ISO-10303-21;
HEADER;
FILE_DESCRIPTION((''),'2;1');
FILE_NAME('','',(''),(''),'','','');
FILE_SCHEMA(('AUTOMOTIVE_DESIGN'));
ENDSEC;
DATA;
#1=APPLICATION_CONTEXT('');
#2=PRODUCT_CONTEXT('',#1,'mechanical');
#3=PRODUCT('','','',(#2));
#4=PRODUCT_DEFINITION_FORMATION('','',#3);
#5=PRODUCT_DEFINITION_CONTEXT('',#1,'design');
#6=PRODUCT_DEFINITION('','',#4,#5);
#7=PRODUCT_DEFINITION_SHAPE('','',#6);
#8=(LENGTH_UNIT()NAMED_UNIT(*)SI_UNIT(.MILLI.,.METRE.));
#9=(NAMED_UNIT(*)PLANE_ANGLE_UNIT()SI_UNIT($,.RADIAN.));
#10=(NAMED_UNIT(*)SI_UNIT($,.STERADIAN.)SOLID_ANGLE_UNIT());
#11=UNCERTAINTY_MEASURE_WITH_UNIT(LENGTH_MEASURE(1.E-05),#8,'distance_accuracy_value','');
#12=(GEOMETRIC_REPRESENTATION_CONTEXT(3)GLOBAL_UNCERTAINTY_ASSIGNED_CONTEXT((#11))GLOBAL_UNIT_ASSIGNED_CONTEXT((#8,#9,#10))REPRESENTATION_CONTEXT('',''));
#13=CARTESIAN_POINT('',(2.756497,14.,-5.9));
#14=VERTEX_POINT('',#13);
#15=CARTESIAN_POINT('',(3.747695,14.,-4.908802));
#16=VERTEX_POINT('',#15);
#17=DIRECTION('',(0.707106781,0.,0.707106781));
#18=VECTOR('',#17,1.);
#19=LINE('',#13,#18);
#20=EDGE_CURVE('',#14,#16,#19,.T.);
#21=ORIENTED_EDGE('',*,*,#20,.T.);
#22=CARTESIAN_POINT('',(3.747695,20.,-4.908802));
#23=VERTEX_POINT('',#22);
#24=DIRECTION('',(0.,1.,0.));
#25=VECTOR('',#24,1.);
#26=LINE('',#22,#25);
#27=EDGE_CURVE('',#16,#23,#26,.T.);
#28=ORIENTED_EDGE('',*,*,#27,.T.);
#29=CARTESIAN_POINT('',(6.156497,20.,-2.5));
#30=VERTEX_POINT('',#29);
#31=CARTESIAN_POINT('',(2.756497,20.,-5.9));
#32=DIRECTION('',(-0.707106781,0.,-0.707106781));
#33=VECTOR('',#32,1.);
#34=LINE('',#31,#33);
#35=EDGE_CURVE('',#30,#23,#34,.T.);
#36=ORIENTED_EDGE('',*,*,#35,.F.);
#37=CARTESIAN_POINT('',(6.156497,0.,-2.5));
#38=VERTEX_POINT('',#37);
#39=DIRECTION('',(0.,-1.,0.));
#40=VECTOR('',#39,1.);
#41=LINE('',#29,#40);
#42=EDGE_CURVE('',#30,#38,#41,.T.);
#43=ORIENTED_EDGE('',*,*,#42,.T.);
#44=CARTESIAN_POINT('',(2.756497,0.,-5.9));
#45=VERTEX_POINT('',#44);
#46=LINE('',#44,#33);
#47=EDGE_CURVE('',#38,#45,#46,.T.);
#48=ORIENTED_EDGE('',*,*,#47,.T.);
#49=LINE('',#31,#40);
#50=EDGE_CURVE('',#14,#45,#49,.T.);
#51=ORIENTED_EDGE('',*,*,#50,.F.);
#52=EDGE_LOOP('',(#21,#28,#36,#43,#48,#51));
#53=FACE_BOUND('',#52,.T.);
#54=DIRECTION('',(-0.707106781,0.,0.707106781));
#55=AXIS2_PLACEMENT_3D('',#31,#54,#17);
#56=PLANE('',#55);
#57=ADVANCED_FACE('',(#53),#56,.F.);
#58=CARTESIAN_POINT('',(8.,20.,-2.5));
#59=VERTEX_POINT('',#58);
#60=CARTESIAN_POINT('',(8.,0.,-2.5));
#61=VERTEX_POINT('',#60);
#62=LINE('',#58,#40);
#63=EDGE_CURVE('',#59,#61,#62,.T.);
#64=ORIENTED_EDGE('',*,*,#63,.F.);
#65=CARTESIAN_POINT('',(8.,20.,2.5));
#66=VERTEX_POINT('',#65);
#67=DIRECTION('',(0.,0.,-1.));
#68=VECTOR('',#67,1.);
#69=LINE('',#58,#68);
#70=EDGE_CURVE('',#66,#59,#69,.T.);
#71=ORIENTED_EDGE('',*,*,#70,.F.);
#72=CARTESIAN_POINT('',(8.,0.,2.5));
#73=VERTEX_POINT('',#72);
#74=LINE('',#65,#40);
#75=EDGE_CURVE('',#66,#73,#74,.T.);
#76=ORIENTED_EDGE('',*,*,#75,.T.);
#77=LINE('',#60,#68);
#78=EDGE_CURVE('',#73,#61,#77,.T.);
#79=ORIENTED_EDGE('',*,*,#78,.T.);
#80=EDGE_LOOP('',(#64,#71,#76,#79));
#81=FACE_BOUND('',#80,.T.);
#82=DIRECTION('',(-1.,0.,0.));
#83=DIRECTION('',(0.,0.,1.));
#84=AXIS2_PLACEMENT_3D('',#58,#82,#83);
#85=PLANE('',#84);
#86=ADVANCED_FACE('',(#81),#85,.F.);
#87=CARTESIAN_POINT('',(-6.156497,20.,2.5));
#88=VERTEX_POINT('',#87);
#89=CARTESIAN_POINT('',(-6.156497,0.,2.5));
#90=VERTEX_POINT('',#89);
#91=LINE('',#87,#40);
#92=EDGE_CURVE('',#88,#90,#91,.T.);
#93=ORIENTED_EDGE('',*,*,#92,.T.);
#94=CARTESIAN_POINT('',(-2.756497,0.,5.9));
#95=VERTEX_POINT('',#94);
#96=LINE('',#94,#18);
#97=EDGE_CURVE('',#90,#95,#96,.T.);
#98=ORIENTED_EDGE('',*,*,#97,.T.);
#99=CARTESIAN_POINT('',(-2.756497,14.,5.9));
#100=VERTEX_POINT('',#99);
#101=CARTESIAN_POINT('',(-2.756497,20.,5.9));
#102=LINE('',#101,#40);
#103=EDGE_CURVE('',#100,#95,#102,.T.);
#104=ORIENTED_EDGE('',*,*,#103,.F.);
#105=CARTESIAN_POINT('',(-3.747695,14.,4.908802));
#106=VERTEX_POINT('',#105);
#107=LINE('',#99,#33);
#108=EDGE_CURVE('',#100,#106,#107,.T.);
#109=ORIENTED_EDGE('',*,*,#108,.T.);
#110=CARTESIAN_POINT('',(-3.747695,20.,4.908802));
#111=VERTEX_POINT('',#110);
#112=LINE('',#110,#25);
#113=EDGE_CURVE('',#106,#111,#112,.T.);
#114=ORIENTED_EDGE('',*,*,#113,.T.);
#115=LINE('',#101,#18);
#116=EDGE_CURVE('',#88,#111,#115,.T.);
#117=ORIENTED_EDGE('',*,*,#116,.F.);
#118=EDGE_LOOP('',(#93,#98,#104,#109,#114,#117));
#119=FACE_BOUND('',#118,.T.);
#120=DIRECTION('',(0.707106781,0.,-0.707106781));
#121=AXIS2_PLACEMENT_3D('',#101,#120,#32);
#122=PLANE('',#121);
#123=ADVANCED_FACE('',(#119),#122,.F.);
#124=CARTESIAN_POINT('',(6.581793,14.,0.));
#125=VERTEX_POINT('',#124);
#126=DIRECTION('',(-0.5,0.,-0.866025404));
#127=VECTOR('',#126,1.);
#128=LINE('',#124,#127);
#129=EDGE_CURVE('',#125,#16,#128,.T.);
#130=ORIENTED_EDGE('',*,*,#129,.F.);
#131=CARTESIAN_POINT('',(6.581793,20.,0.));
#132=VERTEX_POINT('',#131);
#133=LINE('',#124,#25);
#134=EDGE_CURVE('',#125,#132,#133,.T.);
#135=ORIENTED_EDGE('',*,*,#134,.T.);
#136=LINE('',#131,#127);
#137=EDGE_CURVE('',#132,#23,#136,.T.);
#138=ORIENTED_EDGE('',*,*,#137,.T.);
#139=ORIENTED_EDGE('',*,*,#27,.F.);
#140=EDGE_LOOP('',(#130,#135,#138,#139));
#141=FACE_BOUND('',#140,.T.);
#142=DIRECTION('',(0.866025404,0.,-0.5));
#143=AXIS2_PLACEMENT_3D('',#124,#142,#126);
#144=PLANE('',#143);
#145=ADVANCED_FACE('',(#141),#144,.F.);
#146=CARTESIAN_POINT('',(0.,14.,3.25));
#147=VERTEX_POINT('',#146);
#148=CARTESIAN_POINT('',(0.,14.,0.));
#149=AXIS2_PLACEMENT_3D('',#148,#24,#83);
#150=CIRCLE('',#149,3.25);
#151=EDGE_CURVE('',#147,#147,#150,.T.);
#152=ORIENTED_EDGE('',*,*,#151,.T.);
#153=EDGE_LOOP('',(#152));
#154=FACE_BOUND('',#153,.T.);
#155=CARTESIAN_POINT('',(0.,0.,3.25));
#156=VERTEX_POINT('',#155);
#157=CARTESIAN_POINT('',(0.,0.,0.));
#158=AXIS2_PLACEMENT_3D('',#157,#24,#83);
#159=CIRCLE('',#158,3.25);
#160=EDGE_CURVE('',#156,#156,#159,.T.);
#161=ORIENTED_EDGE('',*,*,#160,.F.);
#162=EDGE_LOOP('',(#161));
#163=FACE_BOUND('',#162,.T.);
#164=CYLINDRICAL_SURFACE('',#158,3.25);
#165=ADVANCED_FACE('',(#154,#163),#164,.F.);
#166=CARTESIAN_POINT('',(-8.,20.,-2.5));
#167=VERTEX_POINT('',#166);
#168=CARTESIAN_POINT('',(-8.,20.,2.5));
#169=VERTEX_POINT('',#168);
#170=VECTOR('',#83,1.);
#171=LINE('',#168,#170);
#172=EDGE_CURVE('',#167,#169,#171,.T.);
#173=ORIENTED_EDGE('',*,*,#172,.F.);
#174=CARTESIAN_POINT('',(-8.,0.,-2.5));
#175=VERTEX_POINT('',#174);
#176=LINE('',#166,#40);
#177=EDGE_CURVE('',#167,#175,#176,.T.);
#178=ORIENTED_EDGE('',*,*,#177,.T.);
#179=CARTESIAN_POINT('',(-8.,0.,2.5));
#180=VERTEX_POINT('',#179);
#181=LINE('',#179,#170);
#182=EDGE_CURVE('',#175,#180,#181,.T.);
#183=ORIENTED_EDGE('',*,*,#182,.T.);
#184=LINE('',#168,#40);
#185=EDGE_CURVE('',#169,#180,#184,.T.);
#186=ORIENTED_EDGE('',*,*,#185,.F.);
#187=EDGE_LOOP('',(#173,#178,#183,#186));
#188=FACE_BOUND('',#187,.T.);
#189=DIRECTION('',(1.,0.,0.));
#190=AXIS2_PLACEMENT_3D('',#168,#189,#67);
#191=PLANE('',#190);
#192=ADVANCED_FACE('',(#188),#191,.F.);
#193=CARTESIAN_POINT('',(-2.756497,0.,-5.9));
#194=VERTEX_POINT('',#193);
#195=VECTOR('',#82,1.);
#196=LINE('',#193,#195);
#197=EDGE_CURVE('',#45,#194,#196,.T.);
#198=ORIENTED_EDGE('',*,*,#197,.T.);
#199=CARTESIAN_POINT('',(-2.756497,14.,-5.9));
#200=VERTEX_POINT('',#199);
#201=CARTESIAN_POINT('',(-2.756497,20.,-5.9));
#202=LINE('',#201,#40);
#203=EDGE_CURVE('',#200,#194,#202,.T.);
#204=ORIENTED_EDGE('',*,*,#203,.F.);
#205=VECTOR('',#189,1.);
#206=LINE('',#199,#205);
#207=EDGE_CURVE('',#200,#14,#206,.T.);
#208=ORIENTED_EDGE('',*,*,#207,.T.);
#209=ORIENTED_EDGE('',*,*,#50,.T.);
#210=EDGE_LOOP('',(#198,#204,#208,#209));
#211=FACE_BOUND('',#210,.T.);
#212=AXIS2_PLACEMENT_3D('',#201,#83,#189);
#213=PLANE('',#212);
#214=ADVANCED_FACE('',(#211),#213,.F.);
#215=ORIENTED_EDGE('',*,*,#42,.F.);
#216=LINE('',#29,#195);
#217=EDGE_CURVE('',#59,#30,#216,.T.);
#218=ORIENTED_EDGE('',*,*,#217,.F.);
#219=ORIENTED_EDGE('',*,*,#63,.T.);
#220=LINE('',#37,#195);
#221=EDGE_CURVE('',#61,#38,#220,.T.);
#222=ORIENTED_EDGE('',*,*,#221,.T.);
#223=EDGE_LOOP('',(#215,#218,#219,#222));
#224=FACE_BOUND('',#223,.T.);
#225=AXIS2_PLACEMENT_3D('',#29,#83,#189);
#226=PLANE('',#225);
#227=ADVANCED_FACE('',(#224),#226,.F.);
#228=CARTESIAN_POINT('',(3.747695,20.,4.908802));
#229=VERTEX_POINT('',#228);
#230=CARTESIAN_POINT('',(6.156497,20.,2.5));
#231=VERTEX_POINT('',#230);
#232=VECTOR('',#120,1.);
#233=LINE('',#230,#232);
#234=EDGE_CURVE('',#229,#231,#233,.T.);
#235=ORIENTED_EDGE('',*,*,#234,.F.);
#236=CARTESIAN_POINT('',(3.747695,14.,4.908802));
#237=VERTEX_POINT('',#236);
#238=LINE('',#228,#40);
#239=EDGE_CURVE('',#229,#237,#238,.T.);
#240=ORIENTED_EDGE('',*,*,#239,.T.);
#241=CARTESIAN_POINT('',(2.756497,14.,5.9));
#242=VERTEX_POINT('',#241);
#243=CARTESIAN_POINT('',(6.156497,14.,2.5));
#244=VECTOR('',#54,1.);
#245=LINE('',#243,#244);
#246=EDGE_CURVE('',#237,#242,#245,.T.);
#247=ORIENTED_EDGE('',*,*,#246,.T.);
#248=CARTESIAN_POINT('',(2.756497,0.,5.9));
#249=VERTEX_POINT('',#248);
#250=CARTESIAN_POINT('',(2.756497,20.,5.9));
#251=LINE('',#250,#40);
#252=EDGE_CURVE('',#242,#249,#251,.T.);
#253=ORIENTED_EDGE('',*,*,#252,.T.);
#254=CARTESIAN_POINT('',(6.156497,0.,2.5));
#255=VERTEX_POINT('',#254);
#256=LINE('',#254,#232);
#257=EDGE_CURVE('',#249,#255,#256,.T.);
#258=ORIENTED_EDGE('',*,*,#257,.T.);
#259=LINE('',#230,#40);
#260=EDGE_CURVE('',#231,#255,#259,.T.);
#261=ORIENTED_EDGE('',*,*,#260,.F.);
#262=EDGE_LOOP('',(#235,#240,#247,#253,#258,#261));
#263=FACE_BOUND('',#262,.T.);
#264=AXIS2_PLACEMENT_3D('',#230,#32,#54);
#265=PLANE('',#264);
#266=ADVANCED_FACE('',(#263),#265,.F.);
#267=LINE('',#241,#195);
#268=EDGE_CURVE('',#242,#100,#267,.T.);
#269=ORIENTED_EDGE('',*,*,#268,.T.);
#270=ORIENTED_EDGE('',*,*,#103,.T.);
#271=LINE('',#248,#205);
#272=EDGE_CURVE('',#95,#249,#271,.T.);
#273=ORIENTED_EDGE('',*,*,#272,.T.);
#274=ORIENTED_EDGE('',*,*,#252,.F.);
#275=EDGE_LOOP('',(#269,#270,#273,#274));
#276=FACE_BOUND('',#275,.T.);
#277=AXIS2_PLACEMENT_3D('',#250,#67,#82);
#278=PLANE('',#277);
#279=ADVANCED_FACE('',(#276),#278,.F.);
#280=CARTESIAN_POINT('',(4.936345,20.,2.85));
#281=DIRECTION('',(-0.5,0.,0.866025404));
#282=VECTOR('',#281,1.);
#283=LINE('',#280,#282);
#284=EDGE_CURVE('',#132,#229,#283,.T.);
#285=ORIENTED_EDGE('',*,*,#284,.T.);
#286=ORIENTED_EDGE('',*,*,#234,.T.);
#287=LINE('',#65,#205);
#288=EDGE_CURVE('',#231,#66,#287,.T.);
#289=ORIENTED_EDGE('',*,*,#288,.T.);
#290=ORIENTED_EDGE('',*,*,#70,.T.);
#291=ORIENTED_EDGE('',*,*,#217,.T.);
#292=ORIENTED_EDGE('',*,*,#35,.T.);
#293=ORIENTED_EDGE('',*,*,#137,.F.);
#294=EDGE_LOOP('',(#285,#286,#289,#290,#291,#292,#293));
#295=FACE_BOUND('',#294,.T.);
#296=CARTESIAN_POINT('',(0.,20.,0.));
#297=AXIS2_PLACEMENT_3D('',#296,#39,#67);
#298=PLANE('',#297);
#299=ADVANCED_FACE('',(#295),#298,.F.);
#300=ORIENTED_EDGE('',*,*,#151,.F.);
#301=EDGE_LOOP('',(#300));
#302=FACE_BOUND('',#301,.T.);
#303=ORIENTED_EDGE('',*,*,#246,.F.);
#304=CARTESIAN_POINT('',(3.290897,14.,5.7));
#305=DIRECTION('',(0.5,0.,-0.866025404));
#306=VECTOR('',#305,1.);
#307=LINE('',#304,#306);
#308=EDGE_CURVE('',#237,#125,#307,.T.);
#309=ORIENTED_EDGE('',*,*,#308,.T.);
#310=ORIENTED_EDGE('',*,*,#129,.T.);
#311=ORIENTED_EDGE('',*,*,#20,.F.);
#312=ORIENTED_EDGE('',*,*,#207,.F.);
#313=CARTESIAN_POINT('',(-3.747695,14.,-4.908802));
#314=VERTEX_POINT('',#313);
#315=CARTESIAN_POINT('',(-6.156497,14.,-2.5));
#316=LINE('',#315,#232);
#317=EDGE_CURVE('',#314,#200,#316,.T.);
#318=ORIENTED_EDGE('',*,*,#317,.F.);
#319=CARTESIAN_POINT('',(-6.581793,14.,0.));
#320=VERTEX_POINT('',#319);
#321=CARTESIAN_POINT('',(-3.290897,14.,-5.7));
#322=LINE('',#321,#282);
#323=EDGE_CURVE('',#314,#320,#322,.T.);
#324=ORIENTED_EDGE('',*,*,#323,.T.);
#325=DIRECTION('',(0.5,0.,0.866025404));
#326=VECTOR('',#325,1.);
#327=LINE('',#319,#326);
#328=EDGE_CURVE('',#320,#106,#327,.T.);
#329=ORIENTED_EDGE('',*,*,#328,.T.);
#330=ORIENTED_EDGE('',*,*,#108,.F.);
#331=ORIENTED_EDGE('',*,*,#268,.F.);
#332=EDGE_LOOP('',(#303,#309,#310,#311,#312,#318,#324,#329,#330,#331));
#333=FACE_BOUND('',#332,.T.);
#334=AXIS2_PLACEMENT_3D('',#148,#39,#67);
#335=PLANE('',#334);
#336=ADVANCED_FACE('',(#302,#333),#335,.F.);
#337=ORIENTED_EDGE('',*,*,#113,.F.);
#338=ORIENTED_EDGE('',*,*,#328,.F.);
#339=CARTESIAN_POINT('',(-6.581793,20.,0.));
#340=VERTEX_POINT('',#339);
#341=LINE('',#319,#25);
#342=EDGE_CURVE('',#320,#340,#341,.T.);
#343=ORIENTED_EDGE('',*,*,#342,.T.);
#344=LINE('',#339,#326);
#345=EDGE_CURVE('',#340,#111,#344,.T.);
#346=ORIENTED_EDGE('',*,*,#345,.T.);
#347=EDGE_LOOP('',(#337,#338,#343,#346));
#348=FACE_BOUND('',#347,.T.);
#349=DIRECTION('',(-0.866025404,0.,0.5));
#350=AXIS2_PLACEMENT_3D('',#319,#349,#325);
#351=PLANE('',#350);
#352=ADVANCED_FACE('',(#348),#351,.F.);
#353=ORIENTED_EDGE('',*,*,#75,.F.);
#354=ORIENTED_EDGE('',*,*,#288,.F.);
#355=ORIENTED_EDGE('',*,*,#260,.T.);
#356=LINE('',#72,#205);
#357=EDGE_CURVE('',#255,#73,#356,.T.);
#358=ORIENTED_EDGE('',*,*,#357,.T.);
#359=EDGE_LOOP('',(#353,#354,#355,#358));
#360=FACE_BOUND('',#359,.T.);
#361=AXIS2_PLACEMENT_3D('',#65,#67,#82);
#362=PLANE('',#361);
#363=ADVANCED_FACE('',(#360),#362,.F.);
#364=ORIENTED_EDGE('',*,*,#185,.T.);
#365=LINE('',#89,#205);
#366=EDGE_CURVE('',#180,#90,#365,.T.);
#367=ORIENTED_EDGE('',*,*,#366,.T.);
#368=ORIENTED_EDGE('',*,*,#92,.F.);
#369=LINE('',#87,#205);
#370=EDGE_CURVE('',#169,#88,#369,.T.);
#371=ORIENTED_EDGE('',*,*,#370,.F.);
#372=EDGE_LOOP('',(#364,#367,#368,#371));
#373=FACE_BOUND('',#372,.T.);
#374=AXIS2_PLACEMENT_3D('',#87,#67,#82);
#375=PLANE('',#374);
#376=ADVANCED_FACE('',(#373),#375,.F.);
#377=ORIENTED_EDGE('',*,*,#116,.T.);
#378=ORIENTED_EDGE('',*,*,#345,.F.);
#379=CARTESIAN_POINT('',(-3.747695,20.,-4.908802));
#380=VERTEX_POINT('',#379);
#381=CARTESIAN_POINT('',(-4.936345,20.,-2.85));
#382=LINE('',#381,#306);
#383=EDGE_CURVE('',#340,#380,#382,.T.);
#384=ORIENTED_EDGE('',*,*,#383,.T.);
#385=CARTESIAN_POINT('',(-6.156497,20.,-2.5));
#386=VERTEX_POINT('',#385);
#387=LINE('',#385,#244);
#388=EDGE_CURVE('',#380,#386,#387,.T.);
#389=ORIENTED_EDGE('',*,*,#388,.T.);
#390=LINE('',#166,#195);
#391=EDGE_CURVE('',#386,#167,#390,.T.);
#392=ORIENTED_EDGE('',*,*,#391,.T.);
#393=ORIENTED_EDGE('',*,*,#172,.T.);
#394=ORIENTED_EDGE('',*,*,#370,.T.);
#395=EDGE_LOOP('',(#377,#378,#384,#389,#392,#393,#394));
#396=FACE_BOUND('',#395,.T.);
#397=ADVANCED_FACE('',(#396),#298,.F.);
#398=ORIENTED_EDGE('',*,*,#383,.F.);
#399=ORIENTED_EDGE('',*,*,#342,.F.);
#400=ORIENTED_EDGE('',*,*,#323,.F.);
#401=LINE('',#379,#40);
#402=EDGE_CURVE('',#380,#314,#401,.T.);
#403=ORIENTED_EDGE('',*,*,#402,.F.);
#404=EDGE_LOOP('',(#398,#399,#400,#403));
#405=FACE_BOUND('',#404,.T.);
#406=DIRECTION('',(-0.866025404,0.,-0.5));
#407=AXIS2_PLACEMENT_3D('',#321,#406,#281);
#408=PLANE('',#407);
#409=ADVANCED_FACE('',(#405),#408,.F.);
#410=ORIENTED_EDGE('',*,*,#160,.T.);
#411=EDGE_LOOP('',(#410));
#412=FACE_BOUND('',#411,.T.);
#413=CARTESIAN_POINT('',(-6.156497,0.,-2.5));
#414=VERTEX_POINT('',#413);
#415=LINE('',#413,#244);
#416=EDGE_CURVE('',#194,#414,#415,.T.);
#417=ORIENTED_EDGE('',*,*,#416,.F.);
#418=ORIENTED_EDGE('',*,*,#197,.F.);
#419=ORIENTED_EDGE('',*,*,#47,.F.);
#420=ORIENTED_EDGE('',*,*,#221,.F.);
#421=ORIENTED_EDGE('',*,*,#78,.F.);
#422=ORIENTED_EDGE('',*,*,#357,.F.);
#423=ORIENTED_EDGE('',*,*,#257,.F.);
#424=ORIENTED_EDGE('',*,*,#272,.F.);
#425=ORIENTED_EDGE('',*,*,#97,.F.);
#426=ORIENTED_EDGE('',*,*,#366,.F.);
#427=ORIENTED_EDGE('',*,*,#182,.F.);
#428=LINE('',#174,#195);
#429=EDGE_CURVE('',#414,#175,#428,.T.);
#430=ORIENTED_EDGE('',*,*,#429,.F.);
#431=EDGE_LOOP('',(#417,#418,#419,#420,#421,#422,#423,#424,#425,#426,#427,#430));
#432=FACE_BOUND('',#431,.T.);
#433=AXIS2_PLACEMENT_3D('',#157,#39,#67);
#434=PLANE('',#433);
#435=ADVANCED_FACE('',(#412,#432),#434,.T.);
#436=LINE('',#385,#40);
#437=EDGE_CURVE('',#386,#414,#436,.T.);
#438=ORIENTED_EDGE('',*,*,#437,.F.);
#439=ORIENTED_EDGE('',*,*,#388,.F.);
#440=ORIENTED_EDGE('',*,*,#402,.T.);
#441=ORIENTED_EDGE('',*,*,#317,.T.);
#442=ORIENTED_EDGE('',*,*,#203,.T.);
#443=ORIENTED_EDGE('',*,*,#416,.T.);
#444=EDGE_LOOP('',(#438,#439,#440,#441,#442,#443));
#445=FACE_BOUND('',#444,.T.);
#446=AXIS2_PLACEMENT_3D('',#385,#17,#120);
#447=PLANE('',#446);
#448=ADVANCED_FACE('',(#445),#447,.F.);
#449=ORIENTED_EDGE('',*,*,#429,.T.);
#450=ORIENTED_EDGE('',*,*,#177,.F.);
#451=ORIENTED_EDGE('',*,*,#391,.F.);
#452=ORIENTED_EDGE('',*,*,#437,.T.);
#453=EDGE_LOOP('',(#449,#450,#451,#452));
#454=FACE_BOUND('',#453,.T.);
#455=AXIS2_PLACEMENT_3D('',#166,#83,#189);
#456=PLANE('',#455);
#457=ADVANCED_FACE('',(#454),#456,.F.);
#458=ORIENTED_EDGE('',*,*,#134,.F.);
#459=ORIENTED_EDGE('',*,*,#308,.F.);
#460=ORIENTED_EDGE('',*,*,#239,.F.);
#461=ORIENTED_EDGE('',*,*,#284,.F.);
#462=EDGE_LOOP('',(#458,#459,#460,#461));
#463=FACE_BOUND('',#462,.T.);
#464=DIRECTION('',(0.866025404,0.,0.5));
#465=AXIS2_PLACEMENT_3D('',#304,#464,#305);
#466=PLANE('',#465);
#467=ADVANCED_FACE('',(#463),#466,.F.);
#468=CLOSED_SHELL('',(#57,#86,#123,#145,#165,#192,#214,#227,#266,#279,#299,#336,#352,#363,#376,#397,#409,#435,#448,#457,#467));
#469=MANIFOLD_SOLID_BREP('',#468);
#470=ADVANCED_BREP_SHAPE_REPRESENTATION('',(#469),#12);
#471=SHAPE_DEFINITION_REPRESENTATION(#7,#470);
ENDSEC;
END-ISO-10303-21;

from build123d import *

# Parameters (mm, degrees)
RESSALTO_EXTRUS_O1_DEPTH = 20
CORTE_EXTRUS_O1_DEPTH    = 6
ESBO_O3_R                = 3.25
CORTE_EXTRUS_O2_DEPTH    = 18.170032033


with BuildPart() as part:
    # Esboço1 → Ressalto-extrusão1 (new body)
    with BuildSketch(Plane(origin=(0, 0, 0), x_dir=(1, 0, 0), z_dir=(0, 1, 0))):
        Polygon((-8, 2.5), (-6.156497116, 2.5), (-2.756497116, 5.9), (2.756497116, 5.9), (6.156497116, 2.5), (8, 2.5), (8, -2.5), (6.156497116, -2.5), (2.756497116, -5.9), (-2.756497116, -5.9), (-6.156497116, -2.5), (-8, -2.5), align=None)
    extrude(amount=RESSALTO_EXTRUS_O1_DEPTH)

    # Esboço2 → Corte-extrusão1 (cut)
    with BuildSketch(Plane(origin=(0, 20, 0), x_dir=(1, 0, 0), z_dir=(0, 1, 0))):
        Polygon((-3.290896534, 5.7), (-3.290896534, 6.558868729), (3.290896534, 6.558868729), (3.290896534, 5.7), (6.581793069, 0), (3.290896534, -5.7), (3.290896534, -6.558868729), (-3.290896534, -6.558868729), (-3.290896534, -5.7), (-6.581793069, 0), align=None)
    extrude(amount=-CORTE_EXTRUS_O1_DEPTH, mode=Mode.SUBTRACT)

    # Esboço3 → Corte-extrusão2 (cut, through all)
    with BuildSketch(Plane(origin=(0, 14, 0), x_dir=(1, 0, 0), z_dir=(0, 1, 0))):
        with Locations(Location((0, 0, 0), (0, 0, 270))):
            Circle(ESBO_O3_R)
    extrude(amount=-CORTE_EXTRUS_O2_DEPTH, mode=Mode.SUBTRACT)


solid = part.part
